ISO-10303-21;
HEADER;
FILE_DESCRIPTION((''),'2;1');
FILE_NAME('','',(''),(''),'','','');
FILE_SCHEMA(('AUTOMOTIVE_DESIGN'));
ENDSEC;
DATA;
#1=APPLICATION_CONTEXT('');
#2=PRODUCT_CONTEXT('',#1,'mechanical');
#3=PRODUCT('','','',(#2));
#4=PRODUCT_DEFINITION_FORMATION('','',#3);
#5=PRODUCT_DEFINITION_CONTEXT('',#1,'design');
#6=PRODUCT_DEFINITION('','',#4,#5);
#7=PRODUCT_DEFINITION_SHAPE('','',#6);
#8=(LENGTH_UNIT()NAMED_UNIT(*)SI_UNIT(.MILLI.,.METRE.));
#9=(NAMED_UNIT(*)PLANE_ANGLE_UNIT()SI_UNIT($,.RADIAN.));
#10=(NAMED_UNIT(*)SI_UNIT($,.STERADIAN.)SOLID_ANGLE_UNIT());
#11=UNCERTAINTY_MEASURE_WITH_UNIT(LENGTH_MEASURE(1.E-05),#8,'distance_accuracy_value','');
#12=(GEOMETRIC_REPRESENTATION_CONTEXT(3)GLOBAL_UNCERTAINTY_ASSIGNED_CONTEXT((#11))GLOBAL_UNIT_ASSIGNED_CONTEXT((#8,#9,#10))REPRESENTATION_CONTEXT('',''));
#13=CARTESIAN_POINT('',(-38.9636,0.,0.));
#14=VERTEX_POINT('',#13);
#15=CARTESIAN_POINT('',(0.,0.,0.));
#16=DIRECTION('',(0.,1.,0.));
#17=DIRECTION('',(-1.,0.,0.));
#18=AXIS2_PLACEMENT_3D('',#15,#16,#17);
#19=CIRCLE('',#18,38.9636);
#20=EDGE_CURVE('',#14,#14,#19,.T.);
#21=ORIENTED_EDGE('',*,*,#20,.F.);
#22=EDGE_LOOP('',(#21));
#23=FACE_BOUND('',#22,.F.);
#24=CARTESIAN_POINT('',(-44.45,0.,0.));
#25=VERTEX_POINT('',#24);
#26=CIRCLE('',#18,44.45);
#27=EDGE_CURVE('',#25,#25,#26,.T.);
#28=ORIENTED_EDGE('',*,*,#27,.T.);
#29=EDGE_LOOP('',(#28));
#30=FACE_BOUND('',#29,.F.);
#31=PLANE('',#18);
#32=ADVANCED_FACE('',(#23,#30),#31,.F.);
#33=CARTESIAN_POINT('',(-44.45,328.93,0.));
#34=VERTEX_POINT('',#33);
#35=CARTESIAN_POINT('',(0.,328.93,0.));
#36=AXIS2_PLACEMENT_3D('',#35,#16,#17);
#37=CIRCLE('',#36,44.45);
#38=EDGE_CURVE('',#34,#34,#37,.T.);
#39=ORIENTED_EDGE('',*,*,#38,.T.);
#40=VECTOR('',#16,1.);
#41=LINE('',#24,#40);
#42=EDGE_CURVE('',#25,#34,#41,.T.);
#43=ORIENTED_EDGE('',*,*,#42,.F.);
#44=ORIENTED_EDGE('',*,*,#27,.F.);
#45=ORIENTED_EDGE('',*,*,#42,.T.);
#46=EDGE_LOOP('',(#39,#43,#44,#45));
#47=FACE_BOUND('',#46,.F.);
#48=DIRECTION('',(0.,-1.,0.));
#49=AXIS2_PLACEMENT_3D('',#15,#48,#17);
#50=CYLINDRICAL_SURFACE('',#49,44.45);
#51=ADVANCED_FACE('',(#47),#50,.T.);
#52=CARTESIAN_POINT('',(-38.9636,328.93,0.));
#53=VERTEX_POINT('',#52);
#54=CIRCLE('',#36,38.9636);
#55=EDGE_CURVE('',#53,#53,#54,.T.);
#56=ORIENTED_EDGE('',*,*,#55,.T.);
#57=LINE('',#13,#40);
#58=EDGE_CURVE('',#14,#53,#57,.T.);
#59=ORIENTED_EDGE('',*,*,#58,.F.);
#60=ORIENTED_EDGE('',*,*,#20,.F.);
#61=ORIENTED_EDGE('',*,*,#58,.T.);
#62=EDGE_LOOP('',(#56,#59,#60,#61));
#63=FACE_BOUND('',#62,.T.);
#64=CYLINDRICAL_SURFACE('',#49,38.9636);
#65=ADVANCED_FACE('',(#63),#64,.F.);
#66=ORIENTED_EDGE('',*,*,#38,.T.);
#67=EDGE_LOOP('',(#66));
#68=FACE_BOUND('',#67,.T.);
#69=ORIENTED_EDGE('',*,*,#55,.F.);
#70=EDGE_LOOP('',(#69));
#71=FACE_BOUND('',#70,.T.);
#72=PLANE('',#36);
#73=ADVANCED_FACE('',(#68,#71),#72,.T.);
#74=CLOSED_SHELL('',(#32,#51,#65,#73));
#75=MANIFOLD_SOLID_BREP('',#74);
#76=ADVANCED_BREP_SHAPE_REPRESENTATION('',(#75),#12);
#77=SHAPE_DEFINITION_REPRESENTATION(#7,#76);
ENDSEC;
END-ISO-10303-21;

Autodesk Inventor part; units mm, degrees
ref_plane "YZ Plane" through (0, 0, 0) normal (1, 0, 0) x (0, 1, 0)
ref_plane "XZ Plane" through (0, 0, 0) normal (0, 1, 0) x (-1, 0, 0)
ref_plane "XY Plane" through (0, 0, 0) normal (0, 0, 1) x (1, 0, 0)
sketch "Sketch1" plane through (0, 0, 0) normal (0, 1, 0) x (-1, 0, 0)
  circle A0 centre (0, 0) radius 44.45
  circle A1 centre (0, 0) radius 38.9636
  dimension "d0" = 88.9
  dimension "d1" = 5.4864
extrude "Extrusion1" add sketch "Sketch1" along normal blind 328.93
properties part number "2f1mast" material "Glass"
